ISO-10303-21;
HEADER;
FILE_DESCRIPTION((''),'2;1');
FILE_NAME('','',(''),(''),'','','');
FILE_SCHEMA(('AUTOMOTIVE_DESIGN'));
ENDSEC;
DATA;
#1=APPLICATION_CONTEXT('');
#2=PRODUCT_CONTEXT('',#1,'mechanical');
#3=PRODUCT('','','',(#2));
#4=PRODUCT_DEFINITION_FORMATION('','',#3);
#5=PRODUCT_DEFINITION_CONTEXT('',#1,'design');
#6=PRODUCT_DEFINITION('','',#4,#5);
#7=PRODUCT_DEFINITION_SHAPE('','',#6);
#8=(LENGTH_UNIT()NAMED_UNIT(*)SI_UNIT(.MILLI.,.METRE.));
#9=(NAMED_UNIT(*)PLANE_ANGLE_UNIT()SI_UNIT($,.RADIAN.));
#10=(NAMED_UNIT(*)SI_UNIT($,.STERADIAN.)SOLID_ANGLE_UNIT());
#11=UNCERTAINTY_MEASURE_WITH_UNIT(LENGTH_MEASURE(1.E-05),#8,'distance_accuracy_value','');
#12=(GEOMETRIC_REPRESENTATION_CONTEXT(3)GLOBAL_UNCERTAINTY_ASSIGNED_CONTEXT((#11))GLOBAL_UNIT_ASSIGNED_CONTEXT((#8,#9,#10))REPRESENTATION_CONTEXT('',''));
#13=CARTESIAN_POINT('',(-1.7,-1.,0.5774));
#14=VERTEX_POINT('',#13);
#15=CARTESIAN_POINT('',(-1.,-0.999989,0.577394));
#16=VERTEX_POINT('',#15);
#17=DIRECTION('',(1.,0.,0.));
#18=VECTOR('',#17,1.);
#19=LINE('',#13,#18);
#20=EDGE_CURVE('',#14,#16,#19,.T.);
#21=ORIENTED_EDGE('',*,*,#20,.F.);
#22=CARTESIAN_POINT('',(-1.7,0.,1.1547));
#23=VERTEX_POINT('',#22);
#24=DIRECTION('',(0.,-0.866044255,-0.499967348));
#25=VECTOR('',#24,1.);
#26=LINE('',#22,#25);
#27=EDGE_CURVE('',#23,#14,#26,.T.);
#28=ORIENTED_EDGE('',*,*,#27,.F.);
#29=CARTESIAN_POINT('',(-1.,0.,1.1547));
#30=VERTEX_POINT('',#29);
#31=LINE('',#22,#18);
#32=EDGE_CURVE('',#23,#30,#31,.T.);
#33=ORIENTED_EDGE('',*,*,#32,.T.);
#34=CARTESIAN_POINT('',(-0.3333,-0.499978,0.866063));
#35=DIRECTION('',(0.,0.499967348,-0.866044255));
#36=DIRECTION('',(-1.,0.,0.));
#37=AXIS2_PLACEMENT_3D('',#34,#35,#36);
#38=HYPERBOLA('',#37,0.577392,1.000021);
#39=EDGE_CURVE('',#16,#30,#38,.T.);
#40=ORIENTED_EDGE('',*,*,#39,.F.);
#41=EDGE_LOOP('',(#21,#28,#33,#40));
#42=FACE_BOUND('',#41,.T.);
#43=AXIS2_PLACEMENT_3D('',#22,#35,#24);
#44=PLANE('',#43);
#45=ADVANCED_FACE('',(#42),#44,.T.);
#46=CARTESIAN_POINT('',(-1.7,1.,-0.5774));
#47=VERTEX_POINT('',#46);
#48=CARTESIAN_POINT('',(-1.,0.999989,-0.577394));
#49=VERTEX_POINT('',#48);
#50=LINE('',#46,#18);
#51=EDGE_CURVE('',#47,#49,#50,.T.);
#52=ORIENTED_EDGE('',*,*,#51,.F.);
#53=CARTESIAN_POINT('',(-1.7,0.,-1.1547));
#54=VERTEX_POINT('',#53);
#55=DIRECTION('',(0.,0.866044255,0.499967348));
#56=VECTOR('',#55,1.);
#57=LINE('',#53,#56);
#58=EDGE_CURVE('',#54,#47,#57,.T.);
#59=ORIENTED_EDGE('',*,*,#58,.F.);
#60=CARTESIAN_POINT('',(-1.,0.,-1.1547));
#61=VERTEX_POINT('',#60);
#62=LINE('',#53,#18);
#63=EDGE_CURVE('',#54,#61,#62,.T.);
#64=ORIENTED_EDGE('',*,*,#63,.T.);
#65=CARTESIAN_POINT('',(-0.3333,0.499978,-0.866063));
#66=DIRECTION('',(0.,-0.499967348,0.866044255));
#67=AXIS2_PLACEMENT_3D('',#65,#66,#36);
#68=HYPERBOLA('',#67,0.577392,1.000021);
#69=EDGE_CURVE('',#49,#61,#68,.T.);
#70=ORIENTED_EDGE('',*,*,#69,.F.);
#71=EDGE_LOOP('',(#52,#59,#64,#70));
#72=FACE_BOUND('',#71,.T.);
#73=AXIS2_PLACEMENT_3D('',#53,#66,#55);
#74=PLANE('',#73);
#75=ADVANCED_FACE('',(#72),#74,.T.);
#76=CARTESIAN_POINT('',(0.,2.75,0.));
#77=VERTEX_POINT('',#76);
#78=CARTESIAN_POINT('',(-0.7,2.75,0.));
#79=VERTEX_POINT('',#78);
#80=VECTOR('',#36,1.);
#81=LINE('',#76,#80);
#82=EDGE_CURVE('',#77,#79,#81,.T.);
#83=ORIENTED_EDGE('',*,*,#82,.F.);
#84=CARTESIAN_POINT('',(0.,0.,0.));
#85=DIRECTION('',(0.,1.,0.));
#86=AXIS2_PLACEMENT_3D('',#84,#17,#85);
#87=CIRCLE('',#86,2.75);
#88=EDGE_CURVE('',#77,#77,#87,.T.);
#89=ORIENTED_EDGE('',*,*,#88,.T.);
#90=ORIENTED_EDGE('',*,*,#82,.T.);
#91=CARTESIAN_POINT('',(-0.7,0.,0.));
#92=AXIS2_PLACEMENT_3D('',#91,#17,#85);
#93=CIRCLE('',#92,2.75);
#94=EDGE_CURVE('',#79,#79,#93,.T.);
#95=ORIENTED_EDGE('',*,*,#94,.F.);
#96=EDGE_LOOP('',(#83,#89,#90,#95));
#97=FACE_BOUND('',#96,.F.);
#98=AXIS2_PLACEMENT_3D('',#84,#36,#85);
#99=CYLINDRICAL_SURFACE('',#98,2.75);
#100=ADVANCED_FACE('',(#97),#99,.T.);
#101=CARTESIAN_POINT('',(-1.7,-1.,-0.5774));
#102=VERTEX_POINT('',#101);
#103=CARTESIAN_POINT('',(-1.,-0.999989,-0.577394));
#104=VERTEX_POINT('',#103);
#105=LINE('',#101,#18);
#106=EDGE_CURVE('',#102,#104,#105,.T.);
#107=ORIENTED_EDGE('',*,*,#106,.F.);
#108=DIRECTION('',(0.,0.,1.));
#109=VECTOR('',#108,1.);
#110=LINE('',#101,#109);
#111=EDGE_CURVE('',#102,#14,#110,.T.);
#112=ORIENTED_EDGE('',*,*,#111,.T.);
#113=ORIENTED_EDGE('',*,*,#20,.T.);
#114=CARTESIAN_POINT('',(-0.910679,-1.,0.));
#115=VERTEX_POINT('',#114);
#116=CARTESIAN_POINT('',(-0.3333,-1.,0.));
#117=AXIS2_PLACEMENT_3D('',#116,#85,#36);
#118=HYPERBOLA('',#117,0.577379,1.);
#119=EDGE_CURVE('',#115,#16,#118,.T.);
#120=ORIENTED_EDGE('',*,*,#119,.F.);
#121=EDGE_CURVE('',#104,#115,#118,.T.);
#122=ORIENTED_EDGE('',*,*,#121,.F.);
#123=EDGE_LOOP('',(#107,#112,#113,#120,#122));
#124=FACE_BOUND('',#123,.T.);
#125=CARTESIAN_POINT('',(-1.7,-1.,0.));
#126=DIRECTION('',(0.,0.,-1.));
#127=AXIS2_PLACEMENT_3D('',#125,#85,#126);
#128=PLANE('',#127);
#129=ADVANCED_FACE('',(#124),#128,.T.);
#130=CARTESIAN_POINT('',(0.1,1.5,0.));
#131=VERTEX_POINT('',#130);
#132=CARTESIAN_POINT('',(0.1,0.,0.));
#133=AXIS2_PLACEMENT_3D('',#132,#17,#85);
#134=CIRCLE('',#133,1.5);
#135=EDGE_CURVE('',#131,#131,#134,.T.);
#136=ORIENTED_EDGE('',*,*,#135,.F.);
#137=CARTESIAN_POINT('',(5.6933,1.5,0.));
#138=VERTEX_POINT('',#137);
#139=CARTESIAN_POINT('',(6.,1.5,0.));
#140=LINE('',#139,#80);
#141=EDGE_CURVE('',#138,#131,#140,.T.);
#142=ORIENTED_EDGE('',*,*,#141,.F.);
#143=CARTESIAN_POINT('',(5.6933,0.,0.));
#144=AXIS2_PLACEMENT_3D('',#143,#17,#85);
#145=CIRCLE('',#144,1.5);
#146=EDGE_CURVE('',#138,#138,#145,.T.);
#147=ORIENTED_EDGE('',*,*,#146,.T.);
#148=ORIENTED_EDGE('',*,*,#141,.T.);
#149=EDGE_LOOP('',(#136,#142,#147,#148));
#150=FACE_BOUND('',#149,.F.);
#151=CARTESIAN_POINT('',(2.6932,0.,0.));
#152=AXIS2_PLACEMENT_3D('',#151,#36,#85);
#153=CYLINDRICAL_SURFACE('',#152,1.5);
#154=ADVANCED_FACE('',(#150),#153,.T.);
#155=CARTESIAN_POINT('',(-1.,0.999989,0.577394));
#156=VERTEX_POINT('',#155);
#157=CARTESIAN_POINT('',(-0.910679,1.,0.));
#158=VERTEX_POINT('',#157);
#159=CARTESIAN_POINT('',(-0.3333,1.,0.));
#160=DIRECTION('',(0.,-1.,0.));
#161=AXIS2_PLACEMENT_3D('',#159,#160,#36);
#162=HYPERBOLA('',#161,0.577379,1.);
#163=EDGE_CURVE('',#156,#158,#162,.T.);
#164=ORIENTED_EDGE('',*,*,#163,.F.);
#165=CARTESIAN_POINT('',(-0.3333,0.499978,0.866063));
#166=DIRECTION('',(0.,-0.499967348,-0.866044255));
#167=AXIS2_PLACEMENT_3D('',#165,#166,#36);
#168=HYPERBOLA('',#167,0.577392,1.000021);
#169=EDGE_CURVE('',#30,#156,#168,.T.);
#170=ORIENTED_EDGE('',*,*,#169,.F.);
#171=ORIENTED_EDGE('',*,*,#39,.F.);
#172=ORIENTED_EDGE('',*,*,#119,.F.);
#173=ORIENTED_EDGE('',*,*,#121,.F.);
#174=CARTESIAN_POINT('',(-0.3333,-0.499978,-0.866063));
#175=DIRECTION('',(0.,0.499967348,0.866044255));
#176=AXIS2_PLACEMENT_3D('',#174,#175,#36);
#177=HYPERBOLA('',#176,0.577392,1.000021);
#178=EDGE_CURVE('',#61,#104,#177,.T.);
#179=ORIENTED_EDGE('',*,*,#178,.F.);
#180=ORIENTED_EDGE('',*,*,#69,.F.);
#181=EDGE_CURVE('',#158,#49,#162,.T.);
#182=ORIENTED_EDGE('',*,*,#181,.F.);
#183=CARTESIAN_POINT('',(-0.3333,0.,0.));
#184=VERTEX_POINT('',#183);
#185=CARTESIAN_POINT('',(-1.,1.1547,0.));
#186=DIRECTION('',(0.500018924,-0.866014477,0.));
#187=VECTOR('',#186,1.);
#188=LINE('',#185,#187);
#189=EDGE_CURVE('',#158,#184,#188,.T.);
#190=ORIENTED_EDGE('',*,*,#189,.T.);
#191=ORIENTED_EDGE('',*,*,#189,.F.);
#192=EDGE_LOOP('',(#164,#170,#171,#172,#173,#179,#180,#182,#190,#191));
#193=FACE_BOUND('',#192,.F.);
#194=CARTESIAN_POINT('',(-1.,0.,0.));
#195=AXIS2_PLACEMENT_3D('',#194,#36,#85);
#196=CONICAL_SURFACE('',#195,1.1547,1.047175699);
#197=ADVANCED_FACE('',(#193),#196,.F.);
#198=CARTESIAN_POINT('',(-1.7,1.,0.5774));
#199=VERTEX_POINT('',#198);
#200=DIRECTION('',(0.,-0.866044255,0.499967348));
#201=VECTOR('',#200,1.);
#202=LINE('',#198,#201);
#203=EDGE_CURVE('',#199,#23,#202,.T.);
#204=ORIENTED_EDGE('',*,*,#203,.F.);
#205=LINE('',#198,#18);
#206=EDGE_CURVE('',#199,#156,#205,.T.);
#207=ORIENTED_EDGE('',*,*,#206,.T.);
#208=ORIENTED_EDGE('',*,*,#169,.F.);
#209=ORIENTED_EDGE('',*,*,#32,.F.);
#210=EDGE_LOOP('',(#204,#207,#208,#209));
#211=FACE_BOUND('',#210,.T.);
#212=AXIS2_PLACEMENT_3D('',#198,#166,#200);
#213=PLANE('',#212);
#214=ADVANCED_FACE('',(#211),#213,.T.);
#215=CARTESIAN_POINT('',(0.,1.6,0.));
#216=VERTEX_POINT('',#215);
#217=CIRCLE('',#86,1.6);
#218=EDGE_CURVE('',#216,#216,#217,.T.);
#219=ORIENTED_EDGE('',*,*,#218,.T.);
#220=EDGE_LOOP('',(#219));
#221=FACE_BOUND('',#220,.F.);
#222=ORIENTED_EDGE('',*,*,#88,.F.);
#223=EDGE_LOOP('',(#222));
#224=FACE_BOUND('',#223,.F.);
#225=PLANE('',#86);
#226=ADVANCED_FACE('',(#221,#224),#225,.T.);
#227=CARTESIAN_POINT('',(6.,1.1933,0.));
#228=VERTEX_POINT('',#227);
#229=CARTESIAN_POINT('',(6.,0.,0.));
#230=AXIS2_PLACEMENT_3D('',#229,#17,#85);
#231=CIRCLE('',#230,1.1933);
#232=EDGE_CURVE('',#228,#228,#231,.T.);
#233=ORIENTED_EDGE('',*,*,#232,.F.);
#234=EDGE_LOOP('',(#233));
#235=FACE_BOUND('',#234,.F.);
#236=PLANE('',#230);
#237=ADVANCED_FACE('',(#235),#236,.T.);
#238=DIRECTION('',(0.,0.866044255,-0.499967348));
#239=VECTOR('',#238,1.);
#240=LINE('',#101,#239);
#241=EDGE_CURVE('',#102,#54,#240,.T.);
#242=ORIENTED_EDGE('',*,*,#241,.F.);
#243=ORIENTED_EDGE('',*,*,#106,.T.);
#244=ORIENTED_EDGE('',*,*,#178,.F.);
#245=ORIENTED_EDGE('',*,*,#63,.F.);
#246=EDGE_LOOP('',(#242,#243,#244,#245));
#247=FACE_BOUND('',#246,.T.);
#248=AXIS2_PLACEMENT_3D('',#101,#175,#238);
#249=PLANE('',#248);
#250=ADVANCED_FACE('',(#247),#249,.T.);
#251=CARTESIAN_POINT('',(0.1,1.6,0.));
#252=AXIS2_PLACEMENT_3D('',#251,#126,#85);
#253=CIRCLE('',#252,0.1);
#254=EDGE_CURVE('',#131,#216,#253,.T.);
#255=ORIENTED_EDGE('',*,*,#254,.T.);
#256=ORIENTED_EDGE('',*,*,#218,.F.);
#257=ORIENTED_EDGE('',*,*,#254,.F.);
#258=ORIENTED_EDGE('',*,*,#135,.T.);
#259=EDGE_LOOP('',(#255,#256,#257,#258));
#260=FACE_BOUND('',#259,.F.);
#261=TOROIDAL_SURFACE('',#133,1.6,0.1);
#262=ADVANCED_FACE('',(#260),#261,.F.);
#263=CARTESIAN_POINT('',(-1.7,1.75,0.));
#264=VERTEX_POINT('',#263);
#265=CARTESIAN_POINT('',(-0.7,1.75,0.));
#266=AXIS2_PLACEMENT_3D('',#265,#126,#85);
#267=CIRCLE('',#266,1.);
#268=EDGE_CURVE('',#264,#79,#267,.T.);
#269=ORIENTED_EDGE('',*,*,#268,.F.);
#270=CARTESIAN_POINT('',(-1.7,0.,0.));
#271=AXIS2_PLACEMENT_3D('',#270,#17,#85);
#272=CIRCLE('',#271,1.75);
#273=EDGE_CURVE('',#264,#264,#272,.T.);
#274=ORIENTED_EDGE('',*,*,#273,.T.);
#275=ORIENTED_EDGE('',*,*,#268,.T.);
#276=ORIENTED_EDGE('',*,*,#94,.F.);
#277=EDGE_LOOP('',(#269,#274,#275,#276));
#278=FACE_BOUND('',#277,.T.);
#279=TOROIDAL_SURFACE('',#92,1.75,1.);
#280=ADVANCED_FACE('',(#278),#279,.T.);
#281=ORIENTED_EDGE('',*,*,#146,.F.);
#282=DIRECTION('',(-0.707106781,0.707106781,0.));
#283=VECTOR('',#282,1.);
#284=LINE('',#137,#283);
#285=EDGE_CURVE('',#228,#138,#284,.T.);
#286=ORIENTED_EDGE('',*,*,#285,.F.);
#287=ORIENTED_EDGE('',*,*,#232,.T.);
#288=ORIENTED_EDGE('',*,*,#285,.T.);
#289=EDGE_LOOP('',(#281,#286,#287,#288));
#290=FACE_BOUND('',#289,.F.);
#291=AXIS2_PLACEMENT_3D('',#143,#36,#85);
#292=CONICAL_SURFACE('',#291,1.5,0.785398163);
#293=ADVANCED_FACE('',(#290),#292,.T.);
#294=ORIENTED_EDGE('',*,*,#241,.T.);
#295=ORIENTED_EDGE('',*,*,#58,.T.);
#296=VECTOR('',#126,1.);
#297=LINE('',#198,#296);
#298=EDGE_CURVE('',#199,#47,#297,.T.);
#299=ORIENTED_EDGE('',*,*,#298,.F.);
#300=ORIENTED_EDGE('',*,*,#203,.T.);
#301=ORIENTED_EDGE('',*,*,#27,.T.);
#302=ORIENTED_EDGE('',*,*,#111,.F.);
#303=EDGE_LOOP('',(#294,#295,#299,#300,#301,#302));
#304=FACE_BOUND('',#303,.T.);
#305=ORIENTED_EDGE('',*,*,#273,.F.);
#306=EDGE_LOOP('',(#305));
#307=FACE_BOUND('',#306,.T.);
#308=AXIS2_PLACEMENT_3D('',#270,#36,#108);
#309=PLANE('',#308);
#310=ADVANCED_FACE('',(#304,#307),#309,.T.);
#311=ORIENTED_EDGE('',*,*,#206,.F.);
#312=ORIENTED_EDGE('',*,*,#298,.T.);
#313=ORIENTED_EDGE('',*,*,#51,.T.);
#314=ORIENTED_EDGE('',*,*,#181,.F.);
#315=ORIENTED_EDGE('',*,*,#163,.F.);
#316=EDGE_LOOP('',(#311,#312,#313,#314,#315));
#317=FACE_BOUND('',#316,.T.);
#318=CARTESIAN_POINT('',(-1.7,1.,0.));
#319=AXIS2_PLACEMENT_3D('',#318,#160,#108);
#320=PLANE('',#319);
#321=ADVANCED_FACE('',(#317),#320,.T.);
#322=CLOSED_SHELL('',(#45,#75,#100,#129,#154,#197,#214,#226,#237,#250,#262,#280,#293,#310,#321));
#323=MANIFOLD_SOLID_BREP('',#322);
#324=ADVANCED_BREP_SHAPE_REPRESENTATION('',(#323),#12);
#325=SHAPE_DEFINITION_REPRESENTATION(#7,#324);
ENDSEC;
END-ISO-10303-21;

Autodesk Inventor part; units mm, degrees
ref_plane "YZ Plane" through (0, 0, 0) normal (1, 0, 0) x (0, 1, 0)
ref_plane "XZ Plane" through (0, 0, 0) normal (0, 1, 0) x (-1, 0, 0)
sketch "Sketch1" plane through (0, 0, 0) normal (0, 0, 1) x (1, 0, 0)
  line L0 (-0.3333, 0) -> (6, 0)
  line L1 (6, 0) -> (6, 1.5)
  line L2 (6, 1.5) -> (3, 1.5)
  line L3 (3, 1.5) -> (2.6932, 1.5)
  line L4 (2.6932, 1.5) -> (0, 1.5)
  line L5 (0, 1.5) -> (0, 2.75)
  line L6 (0, 2.75) -> (-1.7, 2.75)
  line L7 (-1.7, 2.75) -> (-1.7, 1.1547)
  line L8 (-1.7, 1.1547) -> (-1, 1.1547)
  line L9 (-1, 1.1547) -> (-0.3333, 0)
  line L10 (-3.24, 0) -> (7.54, 0) projected
  line L11 (0, -0.55) -> (0, 3.3) projected
  line L12 (3, 1.5) -> (0, 1.5) construction
  dimension "d1" = 3
  dimension "d2" = 0.3068
  dimension "d3" = 1.7
  dimension "d4" = 0.7
  dimension "d5" = 60
  dimension "d6" = 3
  dimension "d7" = 3
  dimension "d8" = 2.3094
  dimension "d9" = 5.5
  dimension "d26" = 6
revolve "Body" add sketch "Sketch1" angle 360 about axis through (-0.3333, 0, 0) along (1, 0, 0)
sketch "Sketch2" plane through (-1.7, 0, 0) normal (-1, 0, 0) x (0, 0, 1)
  circle A0 centre (0, 0) radius 1.1547 projected
  line L0 (0, -3.85) -> (0, 3.85) projected
  line L1 (-3.85, 0) -> (3.85, 0) projected
  line L2 (1.1547, 0) -> (0.5774, -1)
  line L3 (0.5774, -1) -> (-0.5774, -1)
  line L4 (-0.5774, -1) -> (-1.1547, 0)
  line L5 (-1.1547, 0) -> (-0.5774, 1)
  line L6 (-0.5774, 1) -> (0.5774, 1)
  line L7 (0.5774, 1) -> (1.1547, 0)
extrude "Slot" add sketch "Sketch2" against normal up to next contours L7 A0 | A0 L2 | L6 L0 A0 | A0 L0 L3 | L0 L6 A0 | A0 L3 L0 | L4 A0 | A0 L5
fillet "Fillet1" radius 1 1 edges at (-1.7, -2.75, 0)
chamfer "Chamfer1" distance 0.3067 distance2 0.3067 1 edges at (6, -1.5, 0) measured on face at (6, 0.3952, 0.0397)
ref_plane "Work Plane1" through (29, 0, 0) normal (0, -1, 0) x (1, 0, 0)
fillet "Fillet2" radius 0.1 1 edges at (0, -1.5, 0)
thread "Thread2" size "M3x0.5" class "6g" standard "ANSI Metric M Profile" full length
equation "\"d15\" = -0.5 * SPD + 0.5 * GD"
equation "\"d16\" = GUL"
equation "\"GD\" = NND"
equation "\"NLG\" = 6"
equation "\"GEL\" = 4.5"
equation "\"KOD\" = 5.7"
equation "\"KOH\" = 1.65"
equation "\"INTI\" = 1.04"
equation "\"GAL\" = 0.61345 * PTC"
equation "\"GUL\" = 0.61345 * PTC"
equation "\"BDM\" = NND"
equation "\"SW\" = 2"
equation "\"RR\" = 1.45"
equation "\"SPD\" = NND - 1.2269 * PTC"
equation "\"R\" = 0.3"
equation "\"TOA\" = 30deg"
equation "\"GD1\" = THREADDIA - 1.2269 * PTC"
equation "\"THREADDIA\" = 3"
equation "\"PTC\" = 0.5"
equation "\"NND\" = 3"
equation "\"KOH1\" = 0.2"
equation "\"E0\" = 2.303"
properties part number "M3x6 Bolt" material "Stainless Steel"
